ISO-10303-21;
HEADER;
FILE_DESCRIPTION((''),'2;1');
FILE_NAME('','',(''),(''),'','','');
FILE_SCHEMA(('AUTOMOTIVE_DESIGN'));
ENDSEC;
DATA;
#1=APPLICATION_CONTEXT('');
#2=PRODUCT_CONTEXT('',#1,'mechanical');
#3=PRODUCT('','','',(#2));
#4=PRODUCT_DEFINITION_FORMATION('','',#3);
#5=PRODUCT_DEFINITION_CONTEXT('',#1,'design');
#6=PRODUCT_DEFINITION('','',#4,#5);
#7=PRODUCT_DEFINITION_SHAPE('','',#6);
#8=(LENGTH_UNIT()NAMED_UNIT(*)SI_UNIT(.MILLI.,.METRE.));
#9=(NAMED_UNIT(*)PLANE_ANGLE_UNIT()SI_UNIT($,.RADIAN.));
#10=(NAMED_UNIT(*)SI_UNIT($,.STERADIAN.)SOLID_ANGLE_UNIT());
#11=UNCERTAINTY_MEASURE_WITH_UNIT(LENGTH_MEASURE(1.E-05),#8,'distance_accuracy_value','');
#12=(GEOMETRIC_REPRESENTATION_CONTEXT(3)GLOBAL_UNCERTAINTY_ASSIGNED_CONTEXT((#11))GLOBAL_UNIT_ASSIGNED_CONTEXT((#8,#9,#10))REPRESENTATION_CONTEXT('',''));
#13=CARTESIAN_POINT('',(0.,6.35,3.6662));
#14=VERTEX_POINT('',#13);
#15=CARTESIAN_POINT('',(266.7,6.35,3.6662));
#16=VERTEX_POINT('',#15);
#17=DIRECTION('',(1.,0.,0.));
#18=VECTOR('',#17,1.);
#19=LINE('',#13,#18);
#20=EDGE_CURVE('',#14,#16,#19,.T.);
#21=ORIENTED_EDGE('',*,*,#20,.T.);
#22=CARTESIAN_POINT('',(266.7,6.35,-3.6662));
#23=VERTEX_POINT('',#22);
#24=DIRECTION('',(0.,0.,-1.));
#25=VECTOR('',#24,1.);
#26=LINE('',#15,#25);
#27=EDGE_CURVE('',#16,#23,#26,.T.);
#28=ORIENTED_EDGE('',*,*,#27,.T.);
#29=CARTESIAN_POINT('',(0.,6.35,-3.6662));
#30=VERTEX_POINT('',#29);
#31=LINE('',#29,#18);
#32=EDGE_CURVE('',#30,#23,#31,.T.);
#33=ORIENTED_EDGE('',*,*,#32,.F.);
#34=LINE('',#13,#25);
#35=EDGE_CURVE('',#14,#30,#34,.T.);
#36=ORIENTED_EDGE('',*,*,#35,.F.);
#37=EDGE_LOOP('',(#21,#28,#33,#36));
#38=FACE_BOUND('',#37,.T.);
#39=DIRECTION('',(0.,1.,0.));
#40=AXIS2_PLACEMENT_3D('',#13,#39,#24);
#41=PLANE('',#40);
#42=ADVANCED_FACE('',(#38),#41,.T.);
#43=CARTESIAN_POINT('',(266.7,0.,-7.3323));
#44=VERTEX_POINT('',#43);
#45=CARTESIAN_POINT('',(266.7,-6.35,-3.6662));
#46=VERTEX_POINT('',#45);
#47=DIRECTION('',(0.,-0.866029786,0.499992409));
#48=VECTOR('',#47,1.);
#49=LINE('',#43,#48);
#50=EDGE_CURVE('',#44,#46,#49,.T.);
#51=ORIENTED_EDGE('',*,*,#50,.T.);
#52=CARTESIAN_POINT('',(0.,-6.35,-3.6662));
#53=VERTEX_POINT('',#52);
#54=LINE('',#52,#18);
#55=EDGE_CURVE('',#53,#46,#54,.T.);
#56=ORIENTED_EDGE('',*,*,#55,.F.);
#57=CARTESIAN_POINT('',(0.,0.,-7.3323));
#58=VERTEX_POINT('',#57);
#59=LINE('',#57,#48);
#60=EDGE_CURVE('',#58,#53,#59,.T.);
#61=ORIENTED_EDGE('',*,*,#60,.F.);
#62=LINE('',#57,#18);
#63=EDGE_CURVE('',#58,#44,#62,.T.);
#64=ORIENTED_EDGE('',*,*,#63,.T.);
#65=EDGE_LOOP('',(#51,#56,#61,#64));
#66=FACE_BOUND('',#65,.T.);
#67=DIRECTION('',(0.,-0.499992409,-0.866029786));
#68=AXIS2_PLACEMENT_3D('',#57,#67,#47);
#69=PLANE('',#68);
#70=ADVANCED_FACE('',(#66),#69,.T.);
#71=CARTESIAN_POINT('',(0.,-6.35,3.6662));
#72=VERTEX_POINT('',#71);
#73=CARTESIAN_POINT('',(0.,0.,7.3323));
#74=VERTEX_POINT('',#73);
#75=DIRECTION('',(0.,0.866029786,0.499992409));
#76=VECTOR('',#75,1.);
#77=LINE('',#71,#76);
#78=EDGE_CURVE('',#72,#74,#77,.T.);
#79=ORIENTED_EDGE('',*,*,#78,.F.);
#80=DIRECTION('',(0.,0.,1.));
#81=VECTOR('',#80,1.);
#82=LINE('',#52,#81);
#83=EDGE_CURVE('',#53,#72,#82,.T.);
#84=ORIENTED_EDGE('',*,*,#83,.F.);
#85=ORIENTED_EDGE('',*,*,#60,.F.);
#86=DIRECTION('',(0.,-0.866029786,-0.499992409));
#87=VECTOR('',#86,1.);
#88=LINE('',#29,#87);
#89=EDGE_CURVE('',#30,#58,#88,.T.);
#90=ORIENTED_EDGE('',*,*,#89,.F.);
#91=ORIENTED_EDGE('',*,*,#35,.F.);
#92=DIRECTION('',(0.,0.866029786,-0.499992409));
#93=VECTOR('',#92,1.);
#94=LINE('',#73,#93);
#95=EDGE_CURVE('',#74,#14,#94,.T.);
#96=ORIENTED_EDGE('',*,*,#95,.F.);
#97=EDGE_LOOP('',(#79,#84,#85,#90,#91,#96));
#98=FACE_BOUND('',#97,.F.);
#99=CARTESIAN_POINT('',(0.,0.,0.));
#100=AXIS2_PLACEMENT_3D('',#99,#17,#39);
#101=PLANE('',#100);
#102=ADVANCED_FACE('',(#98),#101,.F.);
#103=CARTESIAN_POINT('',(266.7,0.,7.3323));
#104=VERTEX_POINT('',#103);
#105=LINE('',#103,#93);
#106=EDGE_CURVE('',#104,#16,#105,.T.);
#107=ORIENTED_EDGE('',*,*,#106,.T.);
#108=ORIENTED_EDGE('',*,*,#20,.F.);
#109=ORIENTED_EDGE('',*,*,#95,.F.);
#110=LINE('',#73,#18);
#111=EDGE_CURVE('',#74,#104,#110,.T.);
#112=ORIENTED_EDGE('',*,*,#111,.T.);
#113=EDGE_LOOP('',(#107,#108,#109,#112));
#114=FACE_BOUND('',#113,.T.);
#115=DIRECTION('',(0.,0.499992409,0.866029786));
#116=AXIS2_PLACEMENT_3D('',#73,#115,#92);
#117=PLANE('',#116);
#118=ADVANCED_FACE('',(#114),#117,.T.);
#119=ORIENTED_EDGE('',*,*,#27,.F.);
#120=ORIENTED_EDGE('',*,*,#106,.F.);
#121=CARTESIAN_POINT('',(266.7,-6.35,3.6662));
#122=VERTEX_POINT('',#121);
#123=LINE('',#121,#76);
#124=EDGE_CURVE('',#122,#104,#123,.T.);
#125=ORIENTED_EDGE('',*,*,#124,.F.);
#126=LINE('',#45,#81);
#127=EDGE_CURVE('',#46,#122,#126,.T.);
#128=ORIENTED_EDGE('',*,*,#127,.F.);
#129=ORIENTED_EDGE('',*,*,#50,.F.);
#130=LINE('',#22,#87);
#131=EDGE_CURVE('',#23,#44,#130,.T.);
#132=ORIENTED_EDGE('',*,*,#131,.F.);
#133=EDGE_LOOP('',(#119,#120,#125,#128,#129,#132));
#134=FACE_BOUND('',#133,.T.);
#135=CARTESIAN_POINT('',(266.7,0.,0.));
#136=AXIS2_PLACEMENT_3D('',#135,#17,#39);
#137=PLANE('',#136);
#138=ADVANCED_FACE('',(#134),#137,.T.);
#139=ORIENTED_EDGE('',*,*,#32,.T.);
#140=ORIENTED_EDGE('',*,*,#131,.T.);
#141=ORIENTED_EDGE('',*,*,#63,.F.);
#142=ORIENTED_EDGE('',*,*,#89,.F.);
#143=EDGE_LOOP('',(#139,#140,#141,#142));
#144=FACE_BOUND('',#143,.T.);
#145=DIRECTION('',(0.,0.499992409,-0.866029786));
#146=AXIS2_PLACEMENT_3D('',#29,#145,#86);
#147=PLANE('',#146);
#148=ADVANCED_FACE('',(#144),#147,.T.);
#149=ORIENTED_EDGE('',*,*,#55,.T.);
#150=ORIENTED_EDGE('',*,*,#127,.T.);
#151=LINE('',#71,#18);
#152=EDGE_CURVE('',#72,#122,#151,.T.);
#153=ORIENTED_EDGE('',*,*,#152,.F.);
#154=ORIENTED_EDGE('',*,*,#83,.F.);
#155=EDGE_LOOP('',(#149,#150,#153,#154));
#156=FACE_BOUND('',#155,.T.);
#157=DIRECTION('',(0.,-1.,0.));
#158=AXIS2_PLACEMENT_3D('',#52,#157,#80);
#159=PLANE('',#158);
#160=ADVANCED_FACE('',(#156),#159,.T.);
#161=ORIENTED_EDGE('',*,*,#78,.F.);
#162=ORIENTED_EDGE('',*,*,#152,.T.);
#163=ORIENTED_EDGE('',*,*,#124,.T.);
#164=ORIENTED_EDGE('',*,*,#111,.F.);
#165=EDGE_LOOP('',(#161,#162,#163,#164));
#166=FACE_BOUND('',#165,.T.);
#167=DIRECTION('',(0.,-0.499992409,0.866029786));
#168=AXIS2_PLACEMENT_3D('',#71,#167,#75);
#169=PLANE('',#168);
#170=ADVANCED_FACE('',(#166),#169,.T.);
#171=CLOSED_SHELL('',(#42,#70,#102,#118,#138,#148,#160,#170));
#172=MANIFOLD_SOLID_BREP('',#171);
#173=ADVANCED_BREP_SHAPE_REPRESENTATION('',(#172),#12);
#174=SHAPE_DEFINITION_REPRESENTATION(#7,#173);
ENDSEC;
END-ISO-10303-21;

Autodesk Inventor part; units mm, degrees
ref_plane "YZ Plane" through (0, 0, 0) normal (1, 0, 0) x (0, 1, 0)
ref_plane "XZ Plane" through (0, 0, 0) normal (0, 1, 0) x (-1, 0, 0)
ref_plane "XY Plane" through (0, 0, 0) normal (0, 0, 1) x (1, 0, 0)
sketch "Sketch1" plane through (0, 0, 0) normal (1, 0, 0) x (0, 1, 0)
  line L0 (0, 0) -> (6.35, 0) construction
  line L1 (6.35, -3.6662) -> (0, -7.3323)
  line L2 (0, -7.3323) -> (-6.35, -3.6662)
  line L3 (-6.35, -3.6662) -> (-6.35, 3.6662)
  line L4 (-6.35, 3.6662) -> (0, 7.3323)
  line L5 (0, 7.3323) -> (6.35, 3.6662)
  line L6 (6.35, 3.6662) -> (6.35, -3.6662)
  dimension "d0" = 6.35
extrude "Extrusion1" add sketch "Sketch1" along normal blind 266.7
properties part number "10.5 in Hex Shaft Top Roller Wheel"
